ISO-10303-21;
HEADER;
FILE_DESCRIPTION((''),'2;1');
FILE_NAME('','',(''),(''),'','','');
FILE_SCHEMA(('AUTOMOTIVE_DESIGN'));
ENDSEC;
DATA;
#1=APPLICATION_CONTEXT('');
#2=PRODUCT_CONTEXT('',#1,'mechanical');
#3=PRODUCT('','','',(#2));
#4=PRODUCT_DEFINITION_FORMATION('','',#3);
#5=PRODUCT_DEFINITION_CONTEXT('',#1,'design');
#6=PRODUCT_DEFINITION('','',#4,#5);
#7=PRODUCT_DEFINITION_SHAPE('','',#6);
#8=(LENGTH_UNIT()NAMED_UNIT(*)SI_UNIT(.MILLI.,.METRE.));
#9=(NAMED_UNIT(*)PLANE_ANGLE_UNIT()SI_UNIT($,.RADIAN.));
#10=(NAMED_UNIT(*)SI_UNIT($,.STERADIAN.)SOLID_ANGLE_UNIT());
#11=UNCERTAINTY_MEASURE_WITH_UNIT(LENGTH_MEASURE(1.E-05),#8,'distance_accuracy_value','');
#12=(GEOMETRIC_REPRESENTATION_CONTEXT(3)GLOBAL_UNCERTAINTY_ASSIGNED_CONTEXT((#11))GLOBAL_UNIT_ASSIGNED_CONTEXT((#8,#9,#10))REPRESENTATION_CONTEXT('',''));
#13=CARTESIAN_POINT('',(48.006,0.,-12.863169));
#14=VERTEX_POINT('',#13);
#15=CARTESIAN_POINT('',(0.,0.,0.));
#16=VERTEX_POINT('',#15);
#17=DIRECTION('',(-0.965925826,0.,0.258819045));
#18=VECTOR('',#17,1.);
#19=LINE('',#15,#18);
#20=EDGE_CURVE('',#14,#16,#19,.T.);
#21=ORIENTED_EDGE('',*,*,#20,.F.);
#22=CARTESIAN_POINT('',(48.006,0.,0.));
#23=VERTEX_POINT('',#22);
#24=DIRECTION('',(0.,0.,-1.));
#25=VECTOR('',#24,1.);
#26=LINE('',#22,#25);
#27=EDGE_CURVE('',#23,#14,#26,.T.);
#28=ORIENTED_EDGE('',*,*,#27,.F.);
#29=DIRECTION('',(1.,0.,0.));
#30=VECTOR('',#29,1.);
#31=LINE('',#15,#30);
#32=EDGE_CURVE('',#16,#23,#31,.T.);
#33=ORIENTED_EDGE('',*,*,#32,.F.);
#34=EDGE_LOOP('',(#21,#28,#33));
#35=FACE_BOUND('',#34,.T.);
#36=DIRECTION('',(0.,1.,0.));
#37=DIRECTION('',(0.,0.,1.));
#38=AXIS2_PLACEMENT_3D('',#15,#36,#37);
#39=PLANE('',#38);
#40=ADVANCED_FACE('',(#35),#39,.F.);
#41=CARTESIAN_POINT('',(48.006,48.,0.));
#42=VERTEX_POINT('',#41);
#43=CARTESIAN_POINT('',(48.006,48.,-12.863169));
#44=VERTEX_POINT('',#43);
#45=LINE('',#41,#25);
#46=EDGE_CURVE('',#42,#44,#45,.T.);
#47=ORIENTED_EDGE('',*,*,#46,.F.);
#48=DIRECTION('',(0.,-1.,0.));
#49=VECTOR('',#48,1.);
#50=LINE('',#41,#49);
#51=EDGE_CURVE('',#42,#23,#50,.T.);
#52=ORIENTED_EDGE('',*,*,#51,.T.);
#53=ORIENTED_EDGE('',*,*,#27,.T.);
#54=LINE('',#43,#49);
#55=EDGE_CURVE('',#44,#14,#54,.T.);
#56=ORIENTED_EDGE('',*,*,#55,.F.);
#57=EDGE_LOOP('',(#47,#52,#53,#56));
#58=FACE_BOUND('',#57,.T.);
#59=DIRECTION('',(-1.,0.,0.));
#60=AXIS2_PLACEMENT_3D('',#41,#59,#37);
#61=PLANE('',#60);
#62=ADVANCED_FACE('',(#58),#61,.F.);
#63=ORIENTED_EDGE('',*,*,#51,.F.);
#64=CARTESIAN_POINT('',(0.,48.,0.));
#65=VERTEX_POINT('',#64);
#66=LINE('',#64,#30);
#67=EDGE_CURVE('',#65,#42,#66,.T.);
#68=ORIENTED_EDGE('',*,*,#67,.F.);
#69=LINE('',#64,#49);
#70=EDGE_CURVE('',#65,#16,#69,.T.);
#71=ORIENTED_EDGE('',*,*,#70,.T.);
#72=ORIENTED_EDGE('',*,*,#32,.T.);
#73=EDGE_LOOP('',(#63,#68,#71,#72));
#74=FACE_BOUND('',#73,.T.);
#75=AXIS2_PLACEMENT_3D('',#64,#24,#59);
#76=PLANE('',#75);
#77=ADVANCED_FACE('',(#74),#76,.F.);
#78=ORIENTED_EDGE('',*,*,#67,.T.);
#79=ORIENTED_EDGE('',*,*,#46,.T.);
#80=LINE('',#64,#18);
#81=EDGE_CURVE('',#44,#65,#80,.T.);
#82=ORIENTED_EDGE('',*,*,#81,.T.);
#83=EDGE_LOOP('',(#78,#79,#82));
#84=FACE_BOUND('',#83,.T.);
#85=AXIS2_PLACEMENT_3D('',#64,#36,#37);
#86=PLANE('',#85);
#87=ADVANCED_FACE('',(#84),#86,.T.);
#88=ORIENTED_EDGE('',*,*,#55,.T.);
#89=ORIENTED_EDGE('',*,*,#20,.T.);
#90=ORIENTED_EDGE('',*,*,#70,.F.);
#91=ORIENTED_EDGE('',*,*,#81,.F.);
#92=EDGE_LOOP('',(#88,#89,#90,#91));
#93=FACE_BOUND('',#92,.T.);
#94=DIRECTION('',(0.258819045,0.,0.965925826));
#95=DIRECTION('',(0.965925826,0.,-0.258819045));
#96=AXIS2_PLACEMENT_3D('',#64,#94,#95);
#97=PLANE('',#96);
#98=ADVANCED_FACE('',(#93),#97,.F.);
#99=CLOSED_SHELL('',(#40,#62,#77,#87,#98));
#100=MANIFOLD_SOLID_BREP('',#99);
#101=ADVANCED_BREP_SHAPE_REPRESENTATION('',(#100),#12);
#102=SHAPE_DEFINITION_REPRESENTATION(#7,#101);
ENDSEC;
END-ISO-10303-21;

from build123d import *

# Parameters (mm, degrees)
BOSS_EXTRUDE1_DEPTH = 48


with BuildPart() as part:
    # Sketch1 → Boss-Extrude1 (new body)
    with BuildSketch(Plane(origin=(0, 0, 0), x_dir=(1, 0, 0), z_dir=(0, 1, 0))):
        Polygon((0, 0), (48.006, 0), (48.006, 12.863168932), align=None)
    extrude(amount=BOSS_EXTRUDE1_DEPTH)


solid = part.part
